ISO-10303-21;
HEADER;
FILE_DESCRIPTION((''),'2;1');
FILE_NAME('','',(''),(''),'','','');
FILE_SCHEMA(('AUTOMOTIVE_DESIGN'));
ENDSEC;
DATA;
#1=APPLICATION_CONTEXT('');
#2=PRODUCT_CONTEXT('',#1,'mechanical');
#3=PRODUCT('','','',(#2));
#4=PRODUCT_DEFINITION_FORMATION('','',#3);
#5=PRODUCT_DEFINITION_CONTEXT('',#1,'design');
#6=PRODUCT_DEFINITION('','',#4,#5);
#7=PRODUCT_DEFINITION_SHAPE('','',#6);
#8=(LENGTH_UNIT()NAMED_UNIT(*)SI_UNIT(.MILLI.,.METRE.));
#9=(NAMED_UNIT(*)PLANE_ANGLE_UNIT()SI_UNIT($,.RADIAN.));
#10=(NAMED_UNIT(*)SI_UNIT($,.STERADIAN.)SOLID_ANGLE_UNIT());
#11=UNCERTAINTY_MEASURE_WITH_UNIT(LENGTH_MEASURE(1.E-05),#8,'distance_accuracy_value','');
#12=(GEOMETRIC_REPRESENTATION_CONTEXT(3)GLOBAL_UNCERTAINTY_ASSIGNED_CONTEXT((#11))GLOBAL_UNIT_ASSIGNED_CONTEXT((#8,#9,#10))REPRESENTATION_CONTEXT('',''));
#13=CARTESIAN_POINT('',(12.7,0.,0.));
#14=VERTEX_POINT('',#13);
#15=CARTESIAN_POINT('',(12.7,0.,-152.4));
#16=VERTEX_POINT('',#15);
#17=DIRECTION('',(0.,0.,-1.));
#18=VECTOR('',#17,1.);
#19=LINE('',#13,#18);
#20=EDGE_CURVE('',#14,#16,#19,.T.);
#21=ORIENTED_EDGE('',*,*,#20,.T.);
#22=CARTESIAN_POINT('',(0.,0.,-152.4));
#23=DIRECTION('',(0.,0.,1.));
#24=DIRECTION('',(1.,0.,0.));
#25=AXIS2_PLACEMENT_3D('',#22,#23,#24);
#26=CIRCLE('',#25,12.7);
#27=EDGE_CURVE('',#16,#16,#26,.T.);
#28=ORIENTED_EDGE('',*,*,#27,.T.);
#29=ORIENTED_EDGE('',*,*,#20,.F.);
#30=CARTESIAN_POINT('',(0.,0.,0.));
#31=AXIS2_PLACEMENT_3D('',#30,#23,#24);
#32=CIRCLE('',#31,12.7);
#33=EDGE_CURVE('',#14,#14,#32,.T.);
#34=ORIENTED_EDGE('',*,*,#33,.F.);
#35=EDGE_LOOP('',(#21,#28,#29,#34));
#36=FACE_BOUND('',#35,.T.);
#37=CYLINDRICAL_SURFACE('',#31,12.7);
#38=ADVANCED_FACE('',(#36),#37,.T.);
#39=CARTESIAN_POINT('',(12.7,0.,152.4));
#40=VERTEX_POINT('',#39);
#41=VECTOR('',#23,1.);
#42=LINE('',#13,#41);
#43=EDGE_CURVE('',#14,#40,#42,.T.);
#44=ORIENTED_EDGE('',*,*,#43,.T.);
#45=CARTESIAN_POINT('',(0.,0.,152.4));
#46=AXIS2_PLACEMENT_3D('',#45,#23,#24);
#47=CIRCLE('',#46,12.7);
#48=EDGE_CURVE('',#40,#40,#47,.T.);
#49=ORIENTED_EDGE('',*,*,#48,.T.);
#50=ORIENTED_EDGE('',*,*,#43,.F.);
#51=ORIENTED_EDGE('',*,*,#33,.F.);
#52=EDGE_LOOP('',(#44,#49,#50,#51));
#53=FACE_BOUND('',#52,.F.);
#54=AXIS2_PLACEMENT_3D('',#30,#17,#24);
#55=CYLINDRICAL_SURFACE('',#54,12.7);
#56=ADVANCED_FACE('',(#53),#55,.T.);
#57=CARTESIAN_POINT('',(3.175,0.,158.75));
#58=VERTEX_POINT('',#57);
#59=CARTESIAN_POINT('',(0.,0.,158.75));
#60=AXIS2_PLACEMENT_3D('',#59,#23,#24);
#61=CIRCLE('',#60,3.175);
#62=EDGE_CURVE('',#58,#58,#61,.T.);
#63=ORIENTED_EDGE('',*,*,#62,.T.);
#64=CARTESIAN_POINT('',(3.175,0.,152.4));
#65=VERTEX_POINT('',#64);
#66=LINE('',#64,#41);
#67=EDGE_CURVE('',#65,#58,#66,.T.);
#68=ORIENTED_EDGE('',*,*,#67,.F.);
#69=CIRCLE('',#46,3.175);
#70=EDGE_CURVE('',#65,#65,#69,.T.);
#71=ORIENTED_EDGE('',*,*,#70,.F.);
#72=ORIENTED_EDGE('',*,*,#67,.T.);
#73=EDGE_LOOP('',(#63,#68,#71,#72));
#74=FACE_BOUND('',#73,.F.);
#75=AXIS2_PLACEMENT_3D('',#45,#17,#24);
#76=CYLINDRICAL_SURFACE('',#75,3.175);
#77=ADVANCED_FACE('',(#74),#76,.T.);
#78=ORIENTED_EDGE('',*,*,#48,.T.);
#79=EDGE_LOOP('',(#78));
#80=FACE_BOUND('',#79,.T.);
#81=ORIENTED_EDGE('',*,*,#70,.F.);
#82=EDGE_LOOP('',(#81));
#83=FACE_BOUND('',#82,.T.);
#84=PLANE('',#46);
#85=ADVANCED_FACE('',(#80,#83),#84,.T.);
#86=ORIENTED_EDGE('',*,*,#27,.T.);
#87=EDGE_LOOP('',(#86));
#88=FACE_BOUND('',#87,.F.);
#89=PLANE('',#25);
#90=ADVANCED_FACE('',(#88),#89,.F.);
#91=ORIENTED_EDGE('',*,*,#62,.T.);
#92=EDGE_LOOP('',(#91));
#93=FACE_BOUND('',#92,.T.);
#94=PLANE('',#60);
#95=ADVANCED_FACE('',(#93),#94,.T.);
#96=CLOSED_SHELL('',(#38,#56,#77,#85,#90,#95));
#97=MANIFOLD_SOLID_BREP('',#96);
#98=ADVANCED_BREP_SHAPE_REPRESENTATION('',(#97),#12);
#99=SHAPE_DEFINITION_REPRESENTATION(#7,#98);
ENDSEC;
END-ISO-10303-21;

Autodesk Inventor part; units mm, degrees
ref_plane "YZ Plane" through (0, 0, 0) normal (1, 0, 0) x (0, 1, 0)
ref_plane "XZ Plane" through (0, 0, 0) normal (0, 1, 0) x (-1, 0, 0)
ref_plane "XY Plane" through (0, 0, 0) normal (0, 0, 1) x (1, 0, 0)
sketch "Sketch1" plane through (0, 0, 0) normal (0, 0, 1) x (1, 0, 0)
  circle A0 centre (0, 0) radius 12.7
  dimension "d0" = 25.4
extrude "Extrusion1" add sketch "Sketch1" along normal mid plane 304.8
sketch "Sketch2" plane through (0, 0, 152.4) normal (0, 0, 1) x (1, 0, 0)
  circle A0 centre (0, 0) radius 3.175
  dimension "d3" = 6.35
extrude "Extrusion2" add sketch "Sketch2" along normal blind 6.35
properties part number "Piston"
